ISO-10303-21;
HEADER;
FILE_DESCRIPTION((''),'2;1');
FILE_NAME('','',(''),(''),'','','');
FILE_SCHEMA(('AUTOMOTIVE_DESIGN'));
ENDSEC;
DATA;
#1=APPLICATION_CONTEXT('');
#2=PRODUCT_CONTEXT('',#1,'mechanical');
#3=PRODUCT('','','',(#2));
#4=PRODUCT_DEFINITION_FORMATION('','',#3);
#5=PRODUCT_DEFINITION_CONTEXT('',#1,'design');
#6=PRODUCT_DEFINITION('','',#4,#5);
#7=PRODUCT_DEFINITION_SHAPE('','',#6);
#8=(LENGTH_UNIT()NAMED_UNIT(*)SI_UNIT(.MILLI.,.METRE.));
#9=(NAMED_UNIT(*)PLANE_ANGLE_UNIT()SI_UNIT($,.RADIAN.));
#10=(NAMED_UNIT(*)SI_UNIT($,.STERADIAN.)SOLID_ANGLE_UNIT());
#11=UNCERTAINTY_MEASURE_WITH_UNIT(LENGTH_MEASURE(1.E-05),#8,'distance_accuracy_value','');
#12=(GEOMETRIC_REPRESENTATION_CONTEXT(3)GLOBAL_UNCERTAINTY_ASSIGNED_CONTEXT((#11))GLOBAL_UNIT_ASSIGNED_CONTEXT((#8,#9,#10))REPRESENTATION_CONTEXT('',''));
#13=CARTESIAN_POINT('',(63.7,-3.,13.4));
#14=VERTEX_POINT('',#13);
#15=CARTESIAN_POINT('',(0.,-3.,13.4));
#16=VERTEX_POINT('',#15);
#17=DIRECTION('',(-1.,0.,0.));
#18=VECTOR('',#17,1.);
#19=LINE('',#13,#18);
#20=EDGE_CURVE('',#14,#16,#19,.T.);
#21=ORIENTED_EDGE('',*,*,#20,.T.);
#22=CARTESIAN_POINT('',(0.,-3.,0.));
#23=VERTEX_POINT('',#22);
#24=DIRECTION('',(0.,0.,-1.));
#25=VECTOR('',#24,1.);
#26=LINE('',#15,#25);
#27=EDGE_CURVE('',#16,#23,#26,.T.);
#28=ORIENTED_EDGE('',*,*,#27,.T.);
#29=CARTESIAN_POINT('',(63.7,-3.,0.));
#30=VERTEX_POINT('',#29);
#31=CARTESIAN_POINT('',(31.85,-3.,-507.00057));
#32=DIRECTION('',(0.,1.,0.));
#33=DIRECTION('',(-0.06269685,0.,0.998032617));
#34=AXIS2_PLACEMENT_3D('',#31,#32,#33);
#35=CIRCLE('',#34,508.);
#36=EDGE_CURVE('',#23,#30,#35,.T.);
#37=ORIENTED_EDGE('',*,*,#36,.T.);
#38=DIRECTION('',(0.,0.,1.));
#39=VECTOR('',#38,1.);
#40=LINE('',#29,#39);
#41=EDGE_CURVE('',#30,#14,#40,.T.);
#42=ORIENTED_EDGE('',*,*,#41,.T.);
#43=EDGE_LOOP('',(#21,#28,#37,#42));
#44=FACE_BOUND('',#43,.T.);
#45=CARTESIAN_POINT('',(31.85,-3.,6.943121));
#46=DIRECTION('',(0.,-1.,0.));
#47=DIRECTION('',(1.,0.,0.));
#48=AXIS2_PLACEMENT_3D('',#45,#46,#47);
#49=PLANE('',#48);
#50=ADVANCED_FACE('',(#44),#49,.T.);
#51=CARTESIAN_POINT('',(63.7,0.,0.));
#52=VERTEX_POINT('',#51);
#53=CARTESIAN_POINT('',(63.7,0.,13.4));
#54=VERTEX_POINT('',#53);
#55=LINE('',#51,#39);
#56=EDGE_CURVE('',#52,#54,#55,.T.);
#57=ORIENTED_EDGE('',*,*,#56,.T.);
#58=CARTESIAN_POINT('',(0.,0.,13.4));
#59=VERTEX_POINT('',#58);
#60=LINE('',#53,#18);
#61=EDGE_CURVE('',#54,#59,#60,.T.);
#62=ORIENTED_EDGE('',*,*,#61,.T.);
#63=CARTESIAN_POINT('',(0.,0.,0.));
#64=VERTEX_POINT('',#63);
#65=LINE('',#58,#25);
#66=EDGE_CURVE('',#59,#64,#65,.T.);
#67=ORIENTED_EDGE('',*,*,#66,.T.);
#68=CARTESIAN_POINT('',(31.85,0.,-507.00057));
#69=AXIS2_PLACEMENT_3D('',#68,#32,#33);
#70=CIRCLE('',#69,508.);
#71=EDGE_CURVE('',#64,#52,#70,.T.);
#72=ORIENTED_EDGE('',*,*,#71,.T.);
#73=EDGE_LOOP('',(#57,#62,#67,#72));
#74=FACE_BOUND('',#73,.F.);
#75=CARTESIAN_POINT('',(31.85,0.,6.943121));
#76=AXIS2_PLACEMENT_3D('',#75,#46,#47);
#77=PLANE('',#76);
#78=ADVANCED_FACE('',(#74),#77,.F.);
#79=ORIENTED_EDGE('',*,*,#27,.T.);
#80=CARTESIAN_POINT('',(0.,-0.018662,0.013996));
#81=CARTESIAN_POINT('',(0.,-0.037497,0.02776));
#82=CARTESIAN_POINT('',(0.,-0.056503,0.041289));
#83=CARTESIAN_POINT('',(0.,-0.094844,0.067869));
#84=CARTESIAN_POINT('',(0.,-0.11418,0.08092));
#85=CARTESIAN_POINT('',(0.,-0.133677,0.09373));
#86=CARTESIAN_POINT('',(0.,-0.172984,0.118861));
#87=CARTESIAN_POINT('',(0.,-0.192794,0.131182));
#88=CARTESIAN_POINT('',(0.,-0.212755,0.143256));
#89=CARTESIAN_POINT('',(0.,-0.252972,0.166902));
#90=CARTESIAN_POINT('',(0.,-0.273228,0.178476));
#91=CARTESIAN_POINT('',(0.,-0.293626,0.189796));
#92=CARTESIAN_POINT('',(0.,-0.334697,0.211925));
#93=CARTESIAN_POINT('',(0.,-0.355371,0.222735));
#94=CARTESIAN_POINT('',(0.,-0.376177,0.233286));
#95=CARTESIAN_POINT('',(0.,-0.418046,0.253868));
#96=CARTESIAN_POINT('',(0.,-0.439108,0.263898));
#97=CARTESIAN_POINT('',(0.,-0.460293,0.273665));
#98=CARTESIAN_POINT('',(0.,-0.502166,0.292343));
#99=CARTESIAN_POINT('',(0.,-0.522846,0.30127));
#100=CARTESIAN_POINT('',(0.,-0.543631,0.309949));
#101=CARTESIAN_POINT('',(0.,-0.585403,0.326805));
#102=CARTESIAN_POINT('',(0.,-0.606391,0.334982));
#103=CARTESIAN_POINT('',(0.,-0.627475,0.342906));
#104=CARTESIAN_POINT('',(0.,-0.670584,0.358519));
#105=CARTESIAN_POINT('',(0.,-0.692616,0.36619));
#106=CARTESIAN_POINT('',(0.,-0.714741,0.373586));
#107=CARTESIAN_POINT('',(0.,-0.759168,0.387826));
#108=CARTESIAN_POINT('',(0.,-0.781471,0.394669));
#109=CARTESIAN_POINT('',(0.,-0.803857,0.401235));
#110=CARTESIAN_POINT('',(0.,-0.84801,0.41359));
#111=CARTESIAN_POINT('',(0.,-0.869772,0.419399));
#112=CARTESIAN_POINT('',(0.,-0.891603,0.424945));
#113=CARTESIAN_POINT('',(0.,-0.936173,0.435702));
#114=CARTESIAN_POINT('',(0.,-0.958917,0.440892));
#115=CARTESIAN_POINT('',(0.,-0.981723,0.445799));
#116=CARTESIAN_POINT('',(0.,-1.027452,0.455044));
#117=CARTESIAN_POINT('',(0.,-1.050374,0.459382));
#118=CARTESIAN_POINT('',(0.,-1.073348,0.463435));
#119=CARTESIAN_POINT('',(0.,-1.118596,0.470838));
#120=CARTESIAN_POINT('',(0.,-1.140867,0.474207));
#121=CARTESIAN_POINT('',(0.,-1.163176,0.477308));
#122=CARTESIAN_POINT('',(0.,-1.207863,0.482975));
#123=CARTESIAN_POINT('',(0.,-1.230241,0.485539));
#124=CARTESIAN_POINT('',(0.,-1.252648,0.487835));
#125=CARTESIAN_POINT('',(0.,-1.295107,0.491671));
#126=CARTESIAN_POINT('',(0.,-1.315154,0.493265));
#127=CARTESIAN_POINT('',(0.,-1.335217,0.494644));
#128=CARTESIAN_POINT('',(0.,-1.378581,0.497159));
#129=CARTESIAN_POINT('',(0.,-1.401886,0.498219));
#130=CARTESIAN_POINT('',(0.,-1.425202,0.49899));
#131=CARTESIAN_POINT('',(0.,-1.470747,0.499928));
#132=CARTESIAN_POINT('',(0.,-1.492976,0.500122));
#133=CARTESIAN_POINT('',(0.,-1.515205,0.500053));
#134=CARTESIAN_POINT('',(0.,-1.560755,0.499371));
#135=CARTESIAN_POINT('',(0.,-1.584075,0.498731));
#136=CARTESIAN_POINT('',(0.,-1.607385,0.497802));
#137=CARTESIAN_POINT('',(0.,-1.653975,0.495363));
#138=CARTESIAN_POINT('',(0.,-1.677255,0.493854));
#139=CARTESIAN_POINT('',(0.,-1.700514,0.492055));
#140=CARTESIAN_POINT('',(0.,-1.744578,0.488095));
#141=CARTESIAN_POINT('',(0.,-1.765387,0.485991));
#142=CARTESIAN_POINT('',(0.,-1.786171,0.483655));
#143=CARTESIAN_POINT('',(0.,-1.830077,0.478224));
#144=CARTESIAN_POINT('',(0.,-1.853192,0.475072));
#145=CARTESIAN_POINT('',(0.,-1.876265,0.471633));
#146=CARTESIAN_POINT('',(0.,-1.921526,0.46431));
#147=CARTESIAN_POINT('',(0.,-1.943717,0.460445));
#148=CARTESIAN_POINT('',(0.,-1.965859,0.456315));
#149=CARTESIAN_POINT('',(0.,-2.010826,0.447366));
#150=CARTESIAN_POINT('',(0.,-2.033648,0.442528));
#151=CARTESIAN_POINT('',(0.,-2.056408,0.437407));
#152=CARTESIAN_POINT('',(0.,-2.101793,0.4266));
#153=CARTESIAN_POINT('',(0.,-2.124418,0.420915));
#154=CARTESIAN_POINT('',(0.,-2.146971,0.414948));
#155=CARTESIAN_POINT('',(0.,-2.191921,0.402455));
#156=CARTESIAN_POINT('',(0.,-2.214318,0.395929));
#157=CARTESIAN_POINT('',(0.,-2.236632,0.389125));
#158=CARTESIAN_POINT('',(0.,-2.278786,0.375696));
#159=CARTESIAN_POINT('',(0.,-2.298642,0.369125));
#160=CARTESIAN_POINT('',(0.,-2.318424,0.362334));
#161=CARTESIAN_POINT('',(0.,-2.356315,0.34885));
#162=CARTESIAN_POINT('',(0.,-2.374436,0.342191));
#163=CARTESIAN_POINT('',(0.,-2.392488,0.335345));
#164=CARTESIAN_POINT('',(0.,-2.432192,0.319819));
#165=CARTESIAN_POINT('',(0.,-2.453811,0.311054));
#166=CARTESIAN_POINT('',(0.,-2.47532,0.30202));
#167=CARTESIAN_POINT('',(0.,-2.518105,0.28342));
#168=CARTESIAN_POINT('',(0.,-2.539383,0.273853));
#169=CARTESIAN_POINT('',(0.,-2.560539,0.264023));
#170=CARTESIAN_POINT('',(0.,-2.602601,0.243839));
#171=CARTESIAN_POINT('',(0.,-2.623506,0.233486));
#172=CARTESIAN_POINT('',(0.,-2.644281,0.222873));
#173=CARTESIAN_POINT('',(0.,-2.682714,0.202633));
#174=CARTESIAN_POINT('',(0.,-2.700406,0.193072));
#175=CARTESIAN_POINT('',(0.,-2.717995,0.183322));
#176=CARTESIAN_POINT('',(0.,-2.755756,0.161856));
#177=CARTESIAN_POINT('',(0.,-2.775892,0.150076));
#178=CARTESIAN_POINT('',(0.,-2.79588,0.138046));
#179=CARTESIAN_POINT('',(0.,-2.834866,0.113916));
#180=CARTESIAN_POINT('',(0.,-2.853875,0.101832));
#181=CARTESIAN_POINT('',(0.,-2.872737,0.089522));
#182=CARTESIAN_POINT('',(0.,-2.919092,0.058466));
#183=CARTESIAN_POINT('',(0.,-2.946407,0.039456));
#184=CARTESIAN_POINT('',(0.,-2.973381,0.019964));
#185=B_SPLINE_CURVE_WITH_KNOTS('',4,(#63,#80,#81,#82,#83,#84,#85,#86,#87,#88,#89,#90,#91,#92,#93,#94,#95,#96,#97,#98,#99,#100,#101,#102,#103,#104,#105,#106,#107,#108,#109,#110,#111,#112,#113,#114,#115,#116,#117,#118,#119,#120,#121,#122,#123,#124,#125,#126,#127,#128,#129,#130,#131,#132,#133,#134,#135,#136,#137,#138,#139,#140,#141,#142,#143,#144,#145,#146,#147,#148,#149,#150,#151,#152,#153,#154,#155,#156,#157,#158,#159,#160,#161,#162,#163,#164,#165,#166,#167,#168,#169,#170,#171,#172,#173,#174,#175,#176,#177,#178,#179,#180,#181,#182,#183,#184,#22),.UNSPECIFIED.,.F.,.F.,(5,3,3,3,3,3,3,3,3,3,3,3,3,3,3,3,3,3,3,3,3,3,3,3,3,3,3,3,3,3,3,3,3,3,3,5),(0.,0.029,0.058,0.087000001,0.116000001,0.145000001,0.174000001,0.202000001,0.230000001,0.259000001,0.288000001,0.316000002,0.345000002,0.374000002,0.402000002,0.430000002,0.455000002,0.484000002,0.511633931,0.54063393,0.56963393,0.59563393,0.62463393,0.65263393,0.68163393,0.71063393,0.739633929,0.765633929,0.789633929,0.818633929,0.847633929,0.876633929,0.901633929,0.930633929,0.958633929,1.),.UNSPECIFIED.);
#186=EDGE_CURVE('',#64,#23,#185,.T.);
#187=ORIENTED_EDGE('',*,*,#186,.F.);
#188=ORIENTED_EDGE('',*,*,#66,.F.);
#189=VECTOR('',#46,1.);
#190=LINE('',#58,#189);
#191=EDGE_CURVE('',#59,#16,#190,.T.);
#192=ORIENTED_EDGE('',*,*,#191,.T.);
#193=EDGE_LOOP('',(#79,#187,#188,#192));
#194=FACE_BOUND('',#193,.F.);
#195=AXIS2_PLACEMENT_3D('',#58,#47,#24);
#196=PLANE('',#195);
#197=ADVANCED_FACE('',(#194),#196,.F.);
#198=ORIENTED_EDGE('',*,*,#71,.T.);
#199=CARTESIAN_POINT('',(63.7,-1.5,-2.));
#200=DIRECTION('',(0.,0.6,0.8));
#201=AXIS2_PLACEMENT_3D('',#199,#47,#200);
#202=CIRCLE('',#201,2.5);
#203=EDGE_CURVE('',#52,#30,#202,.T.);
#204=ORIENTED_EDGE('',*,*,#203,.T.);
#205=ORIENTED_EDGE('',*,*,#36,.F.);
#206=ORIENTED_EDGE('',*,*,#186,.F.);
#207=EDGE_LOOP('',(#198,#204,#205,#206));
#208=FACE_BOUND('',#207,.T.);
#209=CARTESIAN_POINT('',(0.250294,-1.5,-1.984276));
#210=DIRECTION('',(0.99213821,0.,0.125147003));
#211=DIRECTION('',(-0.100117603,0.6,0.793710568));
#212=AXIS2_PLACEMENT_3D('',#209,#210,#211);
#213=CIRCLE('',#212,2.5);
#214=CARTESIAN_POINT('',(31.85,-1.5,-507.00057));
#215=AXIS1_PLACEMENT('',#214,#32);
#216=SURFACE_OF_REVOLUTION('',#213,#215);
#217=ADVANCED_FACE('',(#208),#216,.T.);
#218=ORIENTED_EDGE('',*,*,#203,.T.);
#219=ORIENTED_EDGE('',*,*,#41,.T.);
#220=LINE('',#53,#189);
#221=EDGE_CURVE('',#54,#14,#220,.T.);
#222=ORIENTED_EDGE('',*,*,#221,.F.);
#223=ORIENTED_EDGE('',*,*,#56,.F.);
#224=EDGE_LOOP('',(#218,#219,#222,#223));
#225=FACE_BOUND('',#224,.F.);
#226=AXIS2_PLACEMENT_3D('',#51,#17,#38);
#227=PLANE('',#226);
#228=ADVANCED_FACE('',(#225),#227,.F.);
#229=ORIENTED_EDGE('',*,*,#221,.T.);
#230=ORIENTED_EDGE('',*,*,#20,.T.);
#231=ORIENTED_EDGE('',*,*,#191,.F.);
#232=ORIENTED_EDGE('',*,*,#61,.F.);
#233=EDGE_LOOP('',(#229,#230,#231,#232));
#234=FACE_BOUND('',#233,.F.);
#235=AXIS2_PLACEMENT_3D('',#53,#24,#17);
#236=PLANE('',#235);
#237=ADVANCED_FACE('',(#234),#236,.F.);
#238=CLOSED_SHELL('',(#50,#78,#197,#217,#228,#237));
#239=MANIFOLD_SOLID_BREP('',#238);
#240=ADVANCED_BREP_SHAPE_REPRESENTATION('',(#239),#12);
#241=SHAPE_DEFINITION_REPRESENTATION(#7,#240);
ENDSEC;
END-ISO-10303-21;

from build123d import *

# Parameters (mm, degrees)
F1_DEPTH = 3


with BuildPart() as f1:
    # F0 (on Front) → F1 (new body)
    with BuildSketch(Plane.XZ):
        with BuildLine():
            Line((63.7, 13.4), (0, 13.4))
            Line((0, 13.4), (0, 0))
            ThreePointArc((0, 0), (31.85, 0.9994304737), (63.7, 0))
            Line((63.7, 0), (63.7, 13.4))
        make_face()
    extrude(amount=F1_DEPTH)

    # F3: sweep along a path in F3_path
    with BuildLine(Plane(origin=(0, -3, 0), x_dir=(0, 0, 1), z_dir=(0, -1, 0))) as f3_path:
        ThreePointArc((0, 0), (0.9994304737, -31.85), (0, -63.7))
    # F2 (on face) → F3 (sweep, cut)
    with BuildSketch(Plane.YZ.offset(63.7)):
        with BuildLine():
            Line((-3, 0), (0, 0))
            ThreePointArc((0, 0), (-1.5, 0.5), (-3, 0))
        make_face()
    sweep(path=f3_path.line, mode=Mode.SUBTRACT)


solid = f1.part
